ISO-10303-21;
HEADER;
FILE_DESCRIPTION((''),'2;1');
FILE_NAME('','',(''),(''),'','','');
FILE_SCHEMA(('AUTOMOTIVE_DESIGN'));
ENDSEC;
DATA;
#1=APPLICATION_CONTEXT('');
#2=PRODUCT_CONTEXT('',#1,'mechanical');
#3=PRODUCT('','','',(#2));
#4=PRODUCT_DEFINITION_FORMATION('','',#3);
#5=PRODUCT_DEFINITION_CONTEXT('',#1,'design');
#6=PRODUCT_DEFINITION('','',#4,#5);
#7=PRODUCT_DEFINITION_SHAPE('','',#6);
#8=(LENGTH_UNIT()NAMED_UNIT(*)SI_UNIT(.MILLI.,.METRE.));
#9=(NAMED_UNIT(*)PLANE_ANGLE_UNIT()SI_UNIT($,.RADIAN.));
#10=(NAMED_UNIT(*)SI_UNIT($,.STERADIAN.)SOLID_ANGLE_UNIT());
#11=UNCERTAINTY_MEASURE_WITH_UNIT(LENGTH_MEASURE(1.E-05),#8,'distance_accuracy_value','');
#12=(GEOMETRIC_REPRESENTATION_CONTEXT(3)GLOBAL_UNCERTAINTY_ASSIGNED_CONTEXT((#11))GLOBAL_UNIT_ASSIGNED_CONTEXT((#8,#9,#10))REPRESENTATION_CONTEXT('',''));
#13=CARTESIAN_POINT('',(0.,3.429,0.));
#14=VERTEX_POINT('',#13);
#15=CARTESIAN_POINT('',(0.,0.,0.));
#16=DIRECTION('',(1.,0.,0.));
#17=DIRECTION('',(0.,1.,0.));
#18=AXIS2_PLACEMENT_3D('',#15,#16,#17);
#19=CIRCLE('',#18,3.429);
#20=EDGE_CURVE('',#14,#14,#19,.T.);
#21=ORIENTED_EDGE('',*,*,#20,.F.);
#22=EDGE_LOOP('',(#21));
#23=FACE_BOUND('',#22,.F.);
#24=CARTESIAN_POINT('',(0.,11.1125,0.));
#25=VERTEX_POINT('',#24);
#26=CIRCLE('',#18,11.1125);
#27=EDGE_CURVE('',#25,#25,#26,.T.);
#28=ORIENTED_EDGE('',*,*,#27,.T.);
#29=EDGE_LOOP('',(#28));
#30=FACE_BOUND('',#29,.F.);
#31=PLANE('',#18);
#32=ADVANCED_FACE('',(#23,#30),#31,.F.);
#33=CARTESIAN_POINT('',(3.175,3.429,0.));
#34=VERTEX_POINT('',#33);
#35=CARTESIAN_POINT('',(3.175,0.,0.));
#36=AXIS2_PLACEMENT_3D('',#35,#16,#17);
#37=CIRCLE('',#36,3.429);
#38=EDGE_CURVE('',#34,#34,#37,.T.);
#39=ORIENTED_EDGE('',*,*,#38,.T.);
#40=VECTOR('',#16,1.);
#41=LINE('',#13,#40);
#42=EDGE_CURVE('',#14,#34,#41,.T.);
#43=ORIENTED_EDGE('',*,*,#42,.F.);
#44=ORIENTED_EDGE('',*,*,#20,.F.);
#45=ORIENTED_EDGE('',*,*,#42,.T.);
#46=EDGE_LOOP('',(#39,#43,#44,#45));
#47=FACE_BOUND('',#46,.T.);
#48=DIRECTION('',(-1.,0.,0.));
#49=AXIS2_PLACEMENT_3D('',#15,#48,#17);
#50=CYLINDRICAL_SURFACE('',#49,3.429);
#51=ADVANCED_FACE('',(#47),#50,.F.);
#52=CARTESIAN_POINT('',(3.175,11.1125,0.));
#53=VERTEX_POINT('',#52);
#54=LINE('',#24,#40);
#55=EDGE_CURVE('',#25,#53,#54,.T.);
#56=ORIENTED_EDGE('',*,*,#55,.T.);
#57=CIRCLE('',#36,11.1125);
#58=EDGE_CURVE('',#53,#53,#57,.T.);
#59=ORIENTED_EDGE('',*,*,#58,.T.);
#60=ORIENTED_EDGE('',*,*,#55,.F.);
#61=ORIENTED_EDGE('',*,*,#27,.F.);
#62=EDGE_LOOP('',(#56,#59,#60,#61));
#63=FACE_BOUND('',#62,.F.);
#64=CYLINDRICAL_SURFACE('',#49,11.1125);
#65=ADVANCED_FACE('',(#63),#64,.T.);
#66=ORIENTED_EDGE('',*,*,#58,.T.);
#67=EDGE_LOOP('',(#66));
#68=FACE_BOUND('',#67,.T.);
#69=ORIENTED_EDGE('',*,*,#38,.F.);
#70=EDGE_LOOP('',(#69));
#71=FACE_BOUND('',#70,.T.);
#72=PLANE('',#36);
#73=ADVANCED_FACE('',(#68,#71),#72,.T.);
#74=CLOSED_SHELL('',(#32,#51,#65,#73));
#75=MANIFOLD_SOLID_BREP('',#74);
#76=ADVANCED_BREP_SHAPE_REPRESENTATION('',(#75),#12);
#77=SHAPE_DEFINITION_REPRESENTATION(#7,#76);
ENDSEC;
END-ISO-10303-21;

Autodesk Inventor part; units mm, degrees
ref_plane "YZ Plane" through (0, 0, 0) normal (1, 0, 0) x (0, 1, 0)
ref_plane "XZ Plane" through (0, 0, 0) normal (0, 1, 0) x (-1, 0, 0)
ref_plane "XY Plane" through (0, 0, 0) normal (0, 0, 1) x (1, 0, 0)
sketch "Sketch1" plane through (0, 0, 0) normal (1, 0, 0) x (0, 1, 0)
  circle A0 centre (0, 0) radius 3.429
  circle A1 centre (0, 0) radius 11.1125
  dimension "d0" = 6.858
  dimension "d1" = 22.225
extrude "Extrusion1" add sketch "Sketch1" along normal blind 3.175
properties part number "Bushing" material "UHMW, White"
